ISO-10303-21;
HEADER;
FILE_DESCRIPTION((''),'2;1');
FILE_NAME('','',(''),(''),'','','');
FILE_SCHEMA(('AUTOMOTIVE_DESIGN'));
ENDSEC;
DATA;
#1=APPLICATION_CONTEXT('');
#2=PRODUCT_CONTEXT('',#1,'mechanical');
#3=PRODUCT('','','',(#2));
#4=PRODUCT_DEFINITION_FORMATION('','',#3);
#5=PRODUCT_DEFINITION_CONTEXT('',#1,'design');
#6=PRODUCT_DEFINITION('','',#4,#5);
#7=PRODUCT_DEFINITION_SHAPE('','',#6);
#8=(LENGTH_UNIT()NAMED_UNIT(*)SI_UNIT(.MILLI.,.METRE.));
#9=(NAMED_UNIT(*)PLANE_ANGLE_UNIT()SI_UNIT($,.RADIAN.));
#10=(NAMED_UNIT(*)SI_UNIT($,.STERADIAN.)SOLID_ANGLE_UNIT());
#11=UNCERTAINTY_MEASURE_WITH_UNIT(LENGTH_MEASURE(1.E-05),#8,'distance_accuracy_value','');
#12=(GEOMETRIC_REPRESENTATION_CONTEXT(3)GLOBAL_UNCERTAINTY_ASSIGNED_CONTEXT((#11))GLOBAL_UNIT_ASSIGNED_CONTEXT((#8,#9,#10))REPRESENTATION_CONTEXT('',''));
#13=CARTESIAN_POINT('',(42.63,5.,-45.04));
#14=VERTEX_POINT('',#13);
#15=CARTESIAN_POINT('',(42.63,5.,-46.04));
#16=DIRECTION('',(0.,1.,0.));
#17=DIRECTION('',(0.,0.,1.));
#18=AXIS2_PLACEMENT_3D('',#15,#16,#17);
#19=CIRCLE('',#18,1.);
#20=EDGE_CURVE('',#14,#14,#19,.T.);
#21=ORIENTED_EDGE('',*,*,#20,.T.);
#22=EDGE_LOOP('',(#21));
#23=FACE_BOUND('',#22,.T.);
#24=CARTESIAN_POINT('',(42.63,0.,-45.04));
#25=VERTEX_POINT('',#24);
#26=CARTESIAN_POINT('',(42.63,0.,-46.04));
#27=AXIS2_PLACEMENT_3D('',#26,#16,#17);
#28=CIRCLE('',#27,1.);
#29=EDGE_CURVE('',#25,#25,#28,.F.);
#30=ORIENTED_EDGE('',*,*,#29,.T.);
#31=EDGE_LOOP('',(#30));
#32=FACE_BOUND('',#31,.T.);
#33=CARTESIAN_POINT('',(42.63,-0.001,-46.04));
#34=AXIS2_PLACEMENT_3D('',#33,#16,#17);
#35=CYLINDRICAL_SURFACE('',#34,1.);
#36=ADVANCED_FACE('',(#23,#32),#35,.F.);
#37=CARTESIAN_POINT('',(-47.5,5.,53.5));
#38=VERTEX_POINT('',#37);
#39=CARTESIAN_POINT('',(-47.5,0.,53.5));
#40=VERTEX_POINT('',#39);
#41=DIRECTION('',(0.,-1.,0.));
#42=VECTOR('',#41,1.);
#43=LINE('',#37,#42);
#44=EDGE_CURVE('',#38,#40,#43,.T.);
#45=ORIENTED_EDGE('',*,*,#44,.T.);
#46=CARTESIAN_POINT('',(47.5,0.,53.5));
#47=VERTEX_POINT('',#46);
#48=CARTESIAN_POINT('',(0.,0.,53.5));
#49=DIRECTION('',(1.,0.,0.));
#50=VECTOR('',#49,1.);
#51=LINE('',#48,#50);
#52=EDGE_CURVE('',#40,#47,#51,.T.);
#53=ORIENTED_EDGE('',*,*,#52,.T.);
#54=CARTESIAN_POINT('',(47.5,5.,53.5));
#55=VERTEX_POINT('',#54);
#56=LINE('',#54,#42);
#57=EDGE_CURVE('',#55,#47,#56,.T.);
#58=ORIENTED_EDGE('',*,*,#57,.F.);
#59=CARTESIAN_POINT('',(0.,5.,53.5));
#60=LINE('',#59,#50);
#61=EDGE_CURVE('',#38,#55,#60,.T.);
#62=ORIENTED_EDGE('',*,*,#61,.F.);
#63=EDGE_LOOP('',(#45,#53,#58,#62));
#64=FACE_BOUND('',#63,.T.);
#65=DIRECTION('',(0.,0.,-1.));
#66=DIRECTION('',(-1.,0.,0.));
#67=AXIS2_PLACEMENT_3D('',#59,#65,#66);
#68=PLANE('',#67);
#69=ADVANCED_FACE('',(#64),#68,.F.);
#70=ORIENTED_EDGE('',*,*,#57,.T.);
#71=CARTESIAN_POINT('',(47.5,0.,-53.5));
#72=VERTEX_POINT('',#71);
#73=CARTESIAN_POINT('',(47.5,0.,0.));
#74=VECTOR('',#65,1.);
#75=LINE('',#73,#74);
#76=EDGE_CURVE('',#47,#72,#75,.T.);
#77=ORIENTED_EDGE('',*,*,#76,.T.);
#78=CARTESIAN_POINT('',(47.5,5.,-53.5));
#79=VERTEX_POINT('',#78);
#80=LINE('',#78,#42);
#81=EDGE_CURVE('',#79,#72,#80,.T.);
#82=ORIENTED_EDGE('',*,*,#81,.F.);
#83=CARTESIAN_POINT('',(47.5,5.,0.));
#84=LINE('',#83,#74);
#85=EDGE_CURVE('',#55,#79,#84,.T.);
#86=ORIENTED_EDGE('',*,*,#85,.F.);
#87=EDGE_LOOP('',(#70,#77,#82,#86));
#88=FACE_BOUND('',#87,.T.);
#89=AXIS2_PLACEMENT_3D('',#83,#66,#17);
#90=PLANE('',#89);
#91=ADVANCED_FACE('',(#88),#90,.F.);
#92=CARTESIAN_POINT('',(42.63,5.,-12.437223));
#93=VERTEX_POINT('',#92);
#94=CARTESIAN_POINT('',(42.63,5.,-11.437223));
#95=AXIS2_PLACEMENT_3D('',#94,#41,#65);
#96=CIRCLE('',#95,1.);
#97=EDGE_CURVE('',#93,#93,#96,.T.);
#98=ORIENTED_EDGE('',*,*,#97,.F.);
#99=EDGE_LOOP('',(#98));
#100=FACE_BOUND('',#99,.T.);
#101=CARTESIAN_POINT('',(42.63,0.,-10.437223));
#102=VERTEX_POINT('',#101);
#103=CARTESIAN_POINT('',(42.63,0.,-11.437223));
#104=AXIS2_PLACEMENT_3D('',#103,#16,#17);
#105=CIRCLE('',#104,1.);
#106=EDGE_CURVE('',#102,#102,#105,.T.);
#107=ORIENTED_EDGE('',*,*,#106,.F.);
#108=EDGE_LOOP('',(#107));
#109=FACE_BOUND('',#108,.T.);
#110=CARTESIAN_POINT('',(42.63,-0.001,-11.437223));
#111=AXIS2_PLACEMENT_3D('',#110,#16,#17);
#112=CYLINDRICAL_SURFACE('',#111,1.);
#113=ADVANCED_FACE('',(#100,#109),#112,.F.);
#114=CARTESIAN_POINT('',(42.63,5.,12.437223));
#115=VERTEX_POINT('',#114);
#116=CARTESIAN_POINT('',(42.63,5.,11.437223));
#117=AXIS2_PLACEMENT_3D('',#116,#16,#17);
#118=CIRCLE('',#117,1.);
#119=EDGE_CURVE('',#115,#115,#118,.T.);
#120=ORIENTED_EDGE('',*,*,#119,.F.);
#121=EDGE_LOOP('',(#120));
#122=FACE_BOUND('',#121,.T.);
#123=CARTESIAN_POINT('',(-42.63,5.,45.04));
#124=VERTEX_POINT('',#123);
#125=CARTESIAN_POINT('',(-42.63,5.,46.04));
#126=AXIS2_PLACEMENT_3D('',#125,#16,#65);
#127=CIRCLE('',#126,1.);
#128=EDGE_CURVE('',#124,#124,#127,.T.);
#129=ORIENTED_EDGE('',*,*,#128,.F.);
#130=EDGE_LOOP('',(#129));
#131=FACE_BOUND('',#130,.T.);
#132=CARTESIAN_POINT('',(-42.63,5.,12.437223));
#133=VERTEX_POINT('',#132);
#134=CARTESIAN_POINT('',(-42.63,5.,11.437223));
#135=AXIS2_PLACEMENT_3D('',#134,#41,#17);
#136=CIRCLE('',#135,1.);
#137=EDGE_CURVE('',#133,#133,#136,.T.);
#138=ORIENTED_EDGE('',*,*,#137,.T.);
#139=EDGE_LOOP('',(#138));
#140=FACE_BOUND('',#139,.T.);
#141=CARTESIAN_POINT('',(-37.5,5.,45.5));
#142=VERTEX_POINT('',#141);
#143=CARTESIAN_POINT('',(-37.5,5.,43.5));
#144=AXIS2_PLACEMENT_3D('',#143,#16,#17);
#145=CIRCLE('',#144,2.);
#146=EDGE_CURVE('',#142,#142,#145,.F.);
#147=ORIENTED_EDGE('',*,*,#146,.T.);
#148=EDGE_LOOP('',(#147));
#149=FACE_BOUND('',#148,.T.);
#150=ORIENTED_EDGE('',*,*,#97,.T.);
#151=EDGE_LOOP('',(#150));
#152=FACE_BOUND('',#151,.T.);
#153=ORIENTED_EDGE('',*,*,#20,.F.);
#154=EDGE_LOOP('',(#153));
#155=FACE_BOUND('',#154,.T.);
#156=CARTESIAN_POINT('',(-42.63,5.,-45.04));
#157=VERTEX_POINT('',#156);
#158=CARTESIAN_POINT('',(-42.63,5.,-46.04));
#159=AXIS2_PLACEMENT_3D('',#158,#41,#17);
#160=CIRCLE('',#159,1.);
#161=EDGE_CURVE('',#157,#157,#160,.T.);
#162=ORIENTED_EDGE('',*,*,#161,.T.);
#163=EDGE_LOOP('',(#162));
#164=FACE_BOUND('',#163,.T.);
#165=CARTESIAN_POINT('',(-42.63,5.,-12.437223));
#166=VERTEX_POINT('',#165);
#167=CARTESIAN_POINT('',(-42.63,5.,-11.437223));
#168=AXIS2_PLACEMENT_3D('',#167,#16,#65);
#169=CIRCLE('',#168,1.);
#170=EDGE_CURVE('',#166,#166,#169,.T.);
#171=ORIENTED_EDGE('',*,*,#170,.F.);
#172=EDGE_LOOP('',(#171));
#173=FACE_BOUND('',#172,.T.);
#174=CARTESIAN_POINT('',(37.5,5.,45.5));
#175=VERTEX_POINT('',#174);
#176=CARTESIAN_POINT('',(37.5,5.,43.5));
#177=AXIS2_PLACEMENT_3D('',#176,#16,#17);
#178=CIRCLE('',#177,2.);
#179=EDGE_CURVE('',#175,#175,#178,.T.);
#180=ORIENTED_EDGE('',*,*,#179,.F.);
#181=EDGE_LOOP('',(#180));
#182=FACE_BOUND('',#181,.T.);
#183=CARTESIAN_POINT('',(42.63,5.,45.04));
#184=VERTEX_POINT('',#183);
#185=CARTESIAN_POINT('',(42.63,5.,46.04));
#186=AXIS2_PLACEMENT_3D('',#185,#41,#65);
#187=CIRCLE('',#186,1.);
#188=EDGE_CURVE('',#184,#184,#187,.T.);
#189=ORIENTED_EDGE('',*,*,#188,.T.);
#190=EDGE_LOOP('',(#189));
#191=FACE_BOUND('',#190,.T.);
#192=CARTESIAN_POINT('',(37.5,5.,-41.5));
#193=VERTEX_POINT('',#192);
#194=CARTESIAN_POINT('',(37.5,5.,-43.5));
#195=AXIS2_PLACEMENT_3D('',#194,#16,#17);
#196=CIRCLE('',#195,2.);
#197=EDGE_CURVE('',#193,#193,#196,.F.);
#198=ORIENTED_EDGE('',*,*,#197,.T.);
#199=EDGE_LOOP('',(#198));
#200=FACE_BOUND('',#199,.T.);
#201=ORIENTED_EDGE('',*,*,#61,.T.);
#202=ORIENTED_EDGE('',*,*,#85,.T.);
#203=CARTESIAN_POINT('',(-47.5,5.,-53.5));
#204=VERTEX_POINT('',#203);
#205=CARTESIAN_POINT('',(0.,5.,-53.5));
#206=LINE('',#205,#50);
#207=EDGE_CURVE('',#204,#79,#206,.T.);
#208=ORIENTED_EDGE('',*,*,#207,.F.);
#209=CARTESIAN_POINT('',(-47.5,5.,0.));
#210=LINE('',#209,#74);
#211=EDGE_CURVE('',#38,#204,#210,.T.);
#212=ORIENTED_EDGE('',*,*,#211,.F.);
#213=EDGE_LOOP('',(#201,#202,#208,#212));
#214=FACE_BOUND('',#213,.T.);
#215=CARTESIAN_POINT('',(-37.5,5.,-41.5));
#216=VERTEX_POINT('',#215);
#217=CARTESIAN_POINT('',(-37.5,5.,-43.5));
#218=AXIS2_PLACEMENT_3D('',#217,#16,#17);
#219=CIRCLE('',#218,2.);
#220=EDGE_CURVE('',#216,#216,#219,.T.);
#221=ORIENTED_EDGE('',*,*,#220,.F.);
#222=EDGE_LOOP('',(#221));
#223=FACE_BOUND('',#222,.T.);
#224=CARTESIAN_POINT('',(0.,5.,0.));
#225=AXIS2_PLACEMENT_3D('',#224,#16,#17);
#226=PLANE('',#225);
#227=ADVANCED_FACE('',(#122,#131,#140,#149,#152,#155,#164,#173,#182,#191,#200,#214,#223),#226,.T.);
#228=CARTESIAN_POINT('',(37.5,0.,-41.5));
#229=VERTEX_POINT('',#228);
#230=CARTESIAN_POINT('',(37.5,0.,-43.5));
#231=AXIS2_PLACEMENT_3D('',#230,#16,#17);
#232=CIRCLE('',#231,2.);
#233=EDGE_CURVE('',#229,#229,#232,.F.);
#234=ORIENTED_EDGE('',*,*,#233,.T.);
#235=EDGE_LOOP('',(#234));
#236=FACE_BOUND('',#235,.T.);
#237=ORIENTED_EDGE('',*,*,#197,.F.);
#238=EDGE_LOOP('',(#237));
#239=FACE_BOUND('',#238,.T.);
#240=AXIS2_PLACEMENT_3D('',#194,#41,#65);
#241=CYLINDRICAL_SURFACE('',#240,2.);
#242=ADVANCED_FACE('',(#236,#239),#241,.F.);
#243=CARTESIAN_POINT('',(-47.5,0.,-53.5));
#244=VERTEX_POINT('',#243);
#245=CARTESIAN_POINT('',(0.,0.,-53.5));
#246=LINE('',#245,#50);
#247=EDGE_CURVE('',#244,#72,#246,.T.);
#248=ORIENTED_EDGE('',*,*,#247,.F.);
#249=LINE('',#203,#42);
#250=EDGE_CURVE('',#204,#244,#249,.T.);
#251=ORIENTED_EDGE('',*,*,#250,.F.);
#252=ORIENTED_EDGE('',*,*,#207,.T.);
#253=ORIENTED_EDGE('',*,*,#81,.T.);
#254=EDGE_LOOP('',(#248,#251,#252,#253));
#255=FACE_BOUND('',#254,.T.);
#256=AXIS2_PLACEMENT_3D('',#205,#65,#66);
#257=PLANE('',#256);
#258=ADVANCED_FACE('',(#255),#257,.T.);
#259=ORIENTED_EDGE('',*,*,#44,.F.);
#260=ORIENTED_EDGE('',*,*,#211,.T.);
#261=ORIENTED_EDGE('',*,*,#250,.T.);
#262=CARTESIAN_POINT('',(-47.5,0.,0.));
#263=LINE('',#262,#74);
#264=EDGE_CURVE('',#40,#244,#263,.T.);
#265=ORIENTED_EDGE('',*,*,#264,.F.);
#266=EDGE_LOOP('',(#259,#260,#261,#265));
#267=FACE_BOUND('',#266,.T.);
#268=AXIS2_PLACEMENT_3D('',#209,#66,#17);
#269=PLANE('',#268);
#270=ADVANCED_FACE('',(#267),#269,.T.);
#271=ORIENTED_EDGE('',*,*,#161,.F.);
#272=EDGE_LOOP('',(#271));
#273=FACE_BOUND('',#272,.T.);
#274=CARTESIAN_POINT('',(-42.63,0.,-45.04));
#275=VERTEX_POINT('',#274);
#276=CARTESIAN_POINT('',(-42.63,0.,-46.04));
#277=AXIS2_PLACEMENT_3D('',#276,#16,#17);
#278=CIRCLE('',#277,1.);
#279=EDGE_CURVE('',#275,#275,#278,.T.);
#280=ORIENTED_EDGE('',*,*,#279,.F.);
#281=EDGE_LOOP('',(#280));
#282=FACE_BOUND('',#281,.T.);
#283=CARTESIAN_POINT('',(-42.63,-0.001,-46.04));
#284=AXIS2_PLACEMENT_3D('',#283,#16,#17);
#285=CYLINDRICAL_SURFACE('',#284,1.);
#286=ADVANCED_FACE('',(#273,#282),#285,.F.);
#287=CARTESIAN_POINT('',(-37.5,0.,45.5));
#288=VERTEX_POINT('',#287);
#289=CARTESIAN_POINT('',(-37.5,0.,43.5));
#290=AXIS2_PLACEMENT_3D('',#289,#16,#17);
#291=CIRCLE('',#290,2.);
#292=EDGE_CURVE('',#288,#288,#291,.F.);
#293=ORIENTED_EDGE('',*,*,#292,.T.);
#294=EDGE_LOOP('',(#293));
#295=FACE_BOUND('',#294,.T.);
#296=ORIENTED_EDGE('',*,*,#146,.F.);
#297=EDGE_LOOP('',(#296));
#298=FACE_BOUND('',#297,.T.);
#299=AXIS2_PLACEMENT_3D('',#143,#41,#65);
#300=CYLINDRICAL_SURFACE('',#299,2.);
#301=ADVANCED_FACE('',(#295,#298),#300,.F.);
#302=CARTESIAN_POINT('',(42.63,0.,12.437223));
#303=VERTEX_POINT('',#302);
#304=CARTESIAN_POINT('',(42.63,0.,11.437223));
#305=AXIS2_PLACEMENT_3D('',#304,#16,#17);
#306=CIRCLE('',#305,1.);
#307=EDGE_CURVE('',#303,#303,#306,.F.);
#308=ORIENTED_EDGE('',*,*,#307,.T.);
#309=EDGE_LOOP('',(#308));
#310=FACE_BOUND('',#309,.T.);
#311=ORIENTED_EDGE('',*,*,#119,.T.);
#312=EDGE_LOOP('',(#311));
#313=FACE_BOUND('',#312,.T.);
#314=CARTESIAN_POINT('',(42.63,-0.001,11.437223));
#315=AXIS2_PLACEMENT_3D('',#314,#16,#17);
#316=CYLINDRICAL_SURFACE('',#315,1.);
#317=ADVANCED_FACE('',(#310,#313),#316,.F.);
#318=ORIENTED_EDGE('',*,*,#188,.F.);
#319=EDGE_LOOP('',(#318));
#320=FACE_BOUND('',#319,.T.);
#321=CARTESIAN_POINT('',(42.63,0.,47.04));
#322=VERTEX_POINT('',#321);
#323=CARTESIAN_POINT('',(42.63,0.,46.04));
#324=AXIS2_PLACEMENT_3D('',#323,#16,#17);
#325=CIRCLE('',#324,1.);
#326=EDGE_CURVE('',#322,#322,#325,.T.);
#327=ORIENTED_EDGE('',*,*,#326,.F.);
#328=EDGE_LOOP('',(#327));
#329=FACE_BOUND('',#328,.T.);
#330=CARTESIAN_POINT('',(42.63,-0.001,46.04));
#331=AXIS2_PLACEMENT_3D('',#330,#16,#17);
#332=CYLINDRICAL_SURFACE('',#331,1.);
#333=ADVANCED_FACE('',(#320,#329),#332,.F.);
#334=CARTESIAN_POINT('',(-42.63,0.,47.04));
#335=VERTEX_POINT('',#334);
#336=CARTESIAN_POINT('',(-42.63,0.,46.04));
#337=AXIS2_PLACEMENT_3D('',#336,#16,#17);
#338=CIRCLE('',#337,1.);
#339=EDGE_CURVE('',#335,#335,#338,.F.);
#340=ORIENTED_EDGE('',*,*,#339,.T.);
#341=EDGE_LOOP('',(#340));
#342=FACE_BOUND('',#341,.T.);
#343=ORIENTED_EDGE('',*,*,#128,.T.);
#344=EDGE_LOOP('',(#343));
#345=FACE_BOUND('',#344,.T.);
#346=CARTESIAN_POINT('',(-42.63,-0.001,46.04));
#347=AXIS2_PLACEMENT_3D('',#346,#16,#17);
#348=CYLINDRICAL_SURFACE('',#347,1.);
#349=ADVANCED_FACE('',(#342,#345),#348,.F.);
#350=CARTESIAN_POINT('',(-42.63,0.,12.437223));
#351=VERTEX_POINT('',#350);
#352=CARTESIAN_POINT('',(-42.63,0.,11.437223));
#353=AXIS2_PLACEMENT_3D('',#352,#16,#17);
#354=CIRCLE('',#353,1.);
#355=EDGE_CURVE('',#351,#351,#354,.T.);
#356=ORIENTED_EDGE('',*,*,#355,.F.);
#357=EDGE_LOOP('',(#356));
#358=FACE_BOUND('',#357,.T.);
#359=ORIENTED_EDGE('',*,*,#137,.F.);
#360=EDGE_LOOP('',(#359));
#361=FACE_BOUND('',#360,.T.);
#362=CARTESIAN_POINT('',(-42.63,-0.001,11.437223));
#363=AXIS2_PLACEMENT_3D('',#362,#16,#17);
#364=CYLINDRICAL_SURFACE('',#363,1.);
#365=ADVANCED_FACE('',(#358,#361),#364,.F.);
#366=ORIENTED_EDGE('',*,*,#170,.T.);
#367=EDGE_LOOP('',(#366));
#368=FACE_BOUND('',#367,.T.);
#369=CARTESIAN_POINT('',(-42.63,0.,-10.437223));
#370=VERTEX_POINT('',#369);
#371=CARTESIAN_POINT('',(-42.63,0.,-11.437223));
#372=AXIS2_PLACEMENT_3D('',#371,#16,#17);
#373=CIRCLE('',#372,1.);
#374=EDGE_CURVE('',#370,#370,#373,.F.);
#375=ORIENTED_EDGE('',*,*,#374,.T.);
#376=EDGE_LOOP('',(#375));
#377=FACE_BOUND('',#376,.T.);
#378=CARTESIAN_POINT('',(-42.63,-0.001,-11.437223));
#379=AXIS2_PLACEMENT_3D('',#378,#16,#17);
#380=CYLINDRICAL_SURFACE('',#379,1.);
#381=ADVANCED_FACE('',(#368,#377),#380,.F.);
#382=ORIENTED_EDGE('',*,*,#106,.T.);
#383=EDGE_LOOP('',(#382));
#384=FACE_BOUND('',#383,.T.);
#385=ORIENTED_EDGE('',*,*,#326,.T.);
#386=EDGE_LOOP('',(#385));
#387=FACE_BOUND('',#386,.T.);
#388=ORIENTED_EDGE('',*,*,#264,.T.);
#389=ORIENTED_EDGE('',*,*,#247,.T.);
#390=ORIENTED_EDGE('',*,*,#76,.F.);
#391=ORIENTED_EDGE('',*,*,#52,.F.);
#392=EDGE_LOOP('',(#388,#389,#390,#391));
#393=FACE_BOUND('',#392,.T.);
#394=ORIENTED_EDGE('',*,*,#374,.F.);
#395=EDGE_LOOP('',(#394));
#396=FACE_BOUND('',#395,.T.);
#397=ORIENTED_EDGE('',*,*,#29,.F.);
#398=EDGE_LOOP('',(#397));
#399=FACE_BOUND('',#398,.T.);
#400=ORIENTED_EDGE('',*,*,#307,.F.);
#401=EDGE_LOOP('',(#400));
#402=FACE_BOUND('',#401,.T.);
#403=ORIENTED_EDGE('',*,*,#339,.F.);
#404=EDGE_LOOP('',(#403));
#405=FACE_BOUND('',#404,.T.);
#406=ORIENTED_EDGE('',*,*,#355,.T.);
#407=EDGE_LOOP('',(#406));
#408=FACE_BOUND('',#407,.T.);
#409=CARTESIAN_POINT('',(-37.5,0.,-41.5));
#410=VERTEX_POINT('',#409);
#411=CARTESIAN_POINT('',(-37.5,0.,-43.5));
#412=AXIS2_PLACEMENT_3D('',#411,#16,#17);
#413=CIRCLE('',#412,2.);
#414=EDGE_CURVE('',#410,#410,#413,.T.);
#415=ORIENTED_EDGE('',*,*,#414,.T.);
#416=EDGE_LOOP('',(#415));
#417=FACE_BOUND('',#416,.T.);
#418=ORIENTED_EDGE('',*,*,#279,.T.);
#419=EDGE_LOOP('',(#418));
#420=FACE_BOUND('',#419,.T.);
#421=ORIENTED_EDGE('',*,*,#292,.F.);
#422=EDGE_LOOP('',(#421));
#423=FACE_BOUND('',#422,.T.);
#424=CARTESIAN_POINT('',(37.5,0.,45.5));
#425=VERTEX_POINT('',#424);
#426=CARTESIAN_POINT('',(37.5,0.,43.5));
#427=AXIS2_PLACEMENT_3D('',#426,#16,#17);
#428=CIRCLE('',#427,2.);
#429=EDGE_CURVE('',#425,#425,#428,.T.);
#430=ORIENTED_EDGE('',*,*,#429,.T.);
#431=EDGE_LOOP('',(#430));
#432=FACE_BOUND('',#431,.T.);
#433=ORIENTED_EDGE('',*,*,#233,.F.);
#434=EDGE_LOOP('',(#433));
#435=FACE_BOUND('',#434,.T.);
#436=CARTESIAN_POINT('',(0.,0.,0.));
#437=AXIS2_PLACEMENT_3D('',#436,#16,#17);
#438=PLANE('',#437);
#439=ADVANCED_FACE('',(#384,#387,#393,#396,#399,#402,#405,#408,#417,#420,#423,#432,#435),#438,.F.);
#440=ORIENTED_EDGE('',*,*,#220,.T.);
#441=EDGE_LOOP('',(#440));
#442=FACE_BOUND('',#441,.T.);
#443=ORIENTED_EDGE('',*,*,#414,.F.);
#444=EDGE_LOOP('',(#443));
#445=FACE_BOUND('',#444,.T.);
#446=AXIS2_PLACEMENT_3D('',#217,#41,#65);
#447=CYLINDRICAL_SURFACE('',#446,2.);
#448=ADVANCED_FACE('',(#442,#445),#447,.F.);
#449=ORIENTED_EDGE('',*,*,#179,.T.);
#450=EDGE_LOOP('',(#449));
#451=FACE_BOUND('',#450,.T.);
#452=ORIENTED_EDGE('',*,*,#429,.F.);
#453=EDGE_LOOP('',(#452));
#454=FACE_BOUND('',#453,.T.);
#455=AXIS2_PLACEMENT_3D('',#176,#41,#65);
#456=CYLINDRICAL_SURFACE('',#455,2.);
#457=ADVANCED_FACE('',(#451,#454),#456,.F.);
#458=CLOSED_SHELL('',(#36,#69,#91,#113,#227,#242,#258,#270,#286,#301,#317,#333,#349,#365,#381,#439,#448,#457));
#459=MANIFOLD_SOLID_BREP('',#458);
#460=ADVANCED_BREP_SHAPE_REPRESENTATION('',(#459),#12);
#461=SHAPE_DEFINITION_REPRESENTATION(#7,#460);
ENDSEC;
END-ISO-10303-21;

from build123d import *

# Parameters (mm, degrees)
SKETCH2_R                                  = 2
BOSS_EXTRUDE1_DEPTH                        = 5
CUT_EXTRUDE1_REACH                         = 73.718
SKETCH4_R                                  = 1
MIRROR2_COPY_1_REACH                       = 73.718
MIRROR2_COPY_1_SKETCH_R                    = 1
MIRROR2_AT_THE_SECOND_PLANE_COPY_1_REACH   = 73.718
MIRROR2_AT_THE_SECOND_PLANE_COPY_1_SKETC_R = 1
MIRROR2_AT_THE_SECOND_PLANE_COPY_2_REACH   = 73.718
MIRROR2_AT_THE_SECOND_PLANE_COPY_2_SKETC_R = 1
MIRROR2_AT_THE_SECOND_PLANE_COPY_3_REACH   = 73.718
MIRROR2_AT_THE_SECOND_PLANE_COPY_3_SKETC_R = 1


with BuildPart() as part:
    # Sketch2 → Boss-Extrude1 (new body)
    # profile 1 of 2: a face of its own
    with BuildSketch(Plane(origin=(0, 0, 0), x_dir=(1, 0, 0), z_dir=(0, 1, 0))):
        with BuildLine():
            ThreePointArc((37.5, -45.5), (36.085786438, -42.085786438), (39.5, -43.5))
            Line((39.5, -43.5), (47.5, -43.5))
            Line((47.5, -43.5), (47.5, 53.5))
            Line((47.5, 53.5), (-47.5, 53.5))
            Line((-47.5, 53.5), (-47.5, -53.5))
            Line((-47.5, -53.5), (37.5, -53.5))
            Line((37.5, -53.5), (37.5, -45.5))
        make_face()
        with Locations(Location((-37.5, -43.5, 0), (0, 0, 270))):
            Circle(SKETCH2_R, mode=Mode.SUBTRACT)
        with Locations(Location((-37.5, 43.5, 0), (0, 0, 270))):
            Circle(SKETCH2_R, mode=Mode.SUBTRACT)
        with Locations(Location((37.5, 43.5, 0), (0, 0, 270))):
            Circle(SKETCH2_R, mode=Mode.SUBTRACT)
    # profile 2 of 2: a face of its own
    with BuildSketch(Plane(origin=(0, 0, 0), x_dir=(1, 0, 0), z_dir=(0, 1, 0))):
        with BuildLine():
            Line((47.5, -43.5), (39.5, -43.5))
            ThreePointArc((39.5, -43.5), (38.914213562, -44.914213562), (37.5, -45.5))
            Line((37.5, -45.5), (37.5, -53.5))
            Line((37.5, -53.5), (47.5, -53.5))
            Line((47.5, -53.5), (47.5, -43.5))
        make_face()
    extrude(amount=BOSS_EXTRUDE1_DEPTH)

    # Sketch4 → Cut-Extrude1 (cut, up to next)
    with BuildSketch(Plane(origin=(0, 5, 0), x_dir=(1, 0, 0), z_dir=(0, 1, 0)), mode=Mode.PRIVATE) as cut_extrude1_sk1:
        with Locations(Location((42.63, 46.04, 0), (0, 0, 270))):
            Circle(SKETCH4_R)
    cut_extrude1_tool1 = extrude(cut_extrude1_sk1.sketch, amount=-CUT_EXTRUDE1_REACH, mode=Mode.PRIVATE) & part.part
    cut_extrude1 = cut_extrude1_tool1.solids().sort_by_distance((42.63, 5, -46.04))[0]
    add(cut_extrude1, mode=Mode.SUBTRACT)

    # Mirror1: Cut-Extrude1 across plane
    add(cut_extrude1.mirror(Plane(origin=(0, 0, -28.738611276), x_dir=(1, 0, 0), z_dir=(0, 0, -1))), mode=Mode.SUBTRACT)

    # Mirror2: Cut-Extrude1 across plane
    add(cut_extrude1.mirror(Plane(origin=(0, 0, 0), x_dir=(0, 0, 1), z_dir=(1, 0, 0))), mode=Mode.SUBTRACT)

    # Mirror2 copy 1 sketch → Mirror2 copy 1 (cut, up to next)
    with BuildSketch(Plane(origin=(0, 5, -57.477222552), x_dir=(-1, 0, 0), z_dir=(0, 1, 0)), mode=Mode.PRIVATE) as mirror2_copy_1_sk1:
        with Locations(Location((42.63, 46.04, 0), (0, 0, 270))):
            Circle(MIRROR2_COPY_1_SKETCH_R)
    mirror2_copy_1_tool1 = extrude(mirror2_copy_1_sk1.sketch, amount=-MIRROR2_COPY_1_REACH, mode=Mode.PRIVATE) & part.part
    add(mirror2_copy_1_tool1.solids().sort_by_distance((-42.63, 5, -11.437222552))[0], mode=Mode.SUBTRACT)

    # Mirror2 at the second plane: Cut-Extrude1 across plane
    add(cut_extrude1.mirror(Plane.XY), mode=Mode.SUBTRACT)

    # Mirror2 at the second plane copy 1 sketc → Mirror2 at the second plane copy 1 (cut, up to next)
    with BuildSketch(Plane(origin=(0, 5, 57.477222552), x_dir=(1, 0, 0), z_dir=(0, 1, 0)), mode=Mode.PRIVATE) as mirror2_at_the_second_plane_copy_1_sk1:
        with Locations(Location((42.63, 46.04, 0), (0, 0, 270))):
            Circle(MIRROR2_AT_THE_SECOND_PLANE_COPY_1_SKETC_R)
    mirror2_at_the_second_plane_copy_1_tool1 = extrude(mirror2_at_the_second_plane_copy_1_sk1.sketch, amount=-MIRROR2_AT_THE_SECOND_PLANE_COPY_1_REACH, mode=Mode.PRIVATE) & part.part
    add(mirror2_at_the_second_plane_copy_1_tool1.solids().sort_by_distance((42.63, 5, 11.437222552))[0], mode=Mode.SUBTRACT)

    # Mirror2 at the second plane copy 2 sketc → Mirror2 at the second plane copy 2 (cut, up to next)
    with BuildSketch(Plane(origin=(0, 5, 0), x_dir=(-1, 0, 0), z_dir=(0, 1, 0)), mode=Mode.PRIVATE) as mirror2_at_the_second_plane_copy_2_sk1:
        with Locations(Location((42.63, 46.04, 0), (0, 0, 270))):
            Circle(MIRROR2_AT_THE_SECOND_PLANE_COPY_2_SKETC_R)
    mirror2_at_the_second_plane_copy_2_tool1 = extrude(mirror2_at_the_second_plane_copy_2_sk1.sketch, amount=-MIRROR2_AT_THE_SECOND_PLANE_COPY_2_REACH, mode=Mode.PRIVATE) & part.part
    add(mirror2_at_the_second_plane_copy_2_tool1.solids().sort_by_distance((-42.63, 5, 46.04))[0], mode=Mode.SUBTRACT)

    # Mirror2 at the second plane copy 3 sketc → Mirror2 at the second plane copy 3 (cut, up to next)
    with BuildSketch(Plane(origin=(0, 5, 57.477222552), x_dir=(-1, 0, 0), z_dir=(0, 1, 0)), mode=Mode.PRIVATE) as mirror2_at_the_second_plane_copy_3_sk1:
        with Locations((42.63, -46.04)):
            Circle(MIRROR2_AT_THE_SECOND_PLANE_COPY_3_SKETC_R)
    mirror2_at_the_second_plane_copy_3_tool1 = extrude(mirror2_at_the_second_plane_copy_3_sk1.sketch, amount=-MIRROR2_AT_THE_SECOND_PLANE_COPY_3_REACH, mode=Mode.PRIVATE) & part.part
    add(mirror2_at_the_second_plane_copy_3_tool1.solids().sort_by_distance((-42.63, 5, 11.437222552))[0], mode=Mode.SUBTRACT)


solid = part.part
